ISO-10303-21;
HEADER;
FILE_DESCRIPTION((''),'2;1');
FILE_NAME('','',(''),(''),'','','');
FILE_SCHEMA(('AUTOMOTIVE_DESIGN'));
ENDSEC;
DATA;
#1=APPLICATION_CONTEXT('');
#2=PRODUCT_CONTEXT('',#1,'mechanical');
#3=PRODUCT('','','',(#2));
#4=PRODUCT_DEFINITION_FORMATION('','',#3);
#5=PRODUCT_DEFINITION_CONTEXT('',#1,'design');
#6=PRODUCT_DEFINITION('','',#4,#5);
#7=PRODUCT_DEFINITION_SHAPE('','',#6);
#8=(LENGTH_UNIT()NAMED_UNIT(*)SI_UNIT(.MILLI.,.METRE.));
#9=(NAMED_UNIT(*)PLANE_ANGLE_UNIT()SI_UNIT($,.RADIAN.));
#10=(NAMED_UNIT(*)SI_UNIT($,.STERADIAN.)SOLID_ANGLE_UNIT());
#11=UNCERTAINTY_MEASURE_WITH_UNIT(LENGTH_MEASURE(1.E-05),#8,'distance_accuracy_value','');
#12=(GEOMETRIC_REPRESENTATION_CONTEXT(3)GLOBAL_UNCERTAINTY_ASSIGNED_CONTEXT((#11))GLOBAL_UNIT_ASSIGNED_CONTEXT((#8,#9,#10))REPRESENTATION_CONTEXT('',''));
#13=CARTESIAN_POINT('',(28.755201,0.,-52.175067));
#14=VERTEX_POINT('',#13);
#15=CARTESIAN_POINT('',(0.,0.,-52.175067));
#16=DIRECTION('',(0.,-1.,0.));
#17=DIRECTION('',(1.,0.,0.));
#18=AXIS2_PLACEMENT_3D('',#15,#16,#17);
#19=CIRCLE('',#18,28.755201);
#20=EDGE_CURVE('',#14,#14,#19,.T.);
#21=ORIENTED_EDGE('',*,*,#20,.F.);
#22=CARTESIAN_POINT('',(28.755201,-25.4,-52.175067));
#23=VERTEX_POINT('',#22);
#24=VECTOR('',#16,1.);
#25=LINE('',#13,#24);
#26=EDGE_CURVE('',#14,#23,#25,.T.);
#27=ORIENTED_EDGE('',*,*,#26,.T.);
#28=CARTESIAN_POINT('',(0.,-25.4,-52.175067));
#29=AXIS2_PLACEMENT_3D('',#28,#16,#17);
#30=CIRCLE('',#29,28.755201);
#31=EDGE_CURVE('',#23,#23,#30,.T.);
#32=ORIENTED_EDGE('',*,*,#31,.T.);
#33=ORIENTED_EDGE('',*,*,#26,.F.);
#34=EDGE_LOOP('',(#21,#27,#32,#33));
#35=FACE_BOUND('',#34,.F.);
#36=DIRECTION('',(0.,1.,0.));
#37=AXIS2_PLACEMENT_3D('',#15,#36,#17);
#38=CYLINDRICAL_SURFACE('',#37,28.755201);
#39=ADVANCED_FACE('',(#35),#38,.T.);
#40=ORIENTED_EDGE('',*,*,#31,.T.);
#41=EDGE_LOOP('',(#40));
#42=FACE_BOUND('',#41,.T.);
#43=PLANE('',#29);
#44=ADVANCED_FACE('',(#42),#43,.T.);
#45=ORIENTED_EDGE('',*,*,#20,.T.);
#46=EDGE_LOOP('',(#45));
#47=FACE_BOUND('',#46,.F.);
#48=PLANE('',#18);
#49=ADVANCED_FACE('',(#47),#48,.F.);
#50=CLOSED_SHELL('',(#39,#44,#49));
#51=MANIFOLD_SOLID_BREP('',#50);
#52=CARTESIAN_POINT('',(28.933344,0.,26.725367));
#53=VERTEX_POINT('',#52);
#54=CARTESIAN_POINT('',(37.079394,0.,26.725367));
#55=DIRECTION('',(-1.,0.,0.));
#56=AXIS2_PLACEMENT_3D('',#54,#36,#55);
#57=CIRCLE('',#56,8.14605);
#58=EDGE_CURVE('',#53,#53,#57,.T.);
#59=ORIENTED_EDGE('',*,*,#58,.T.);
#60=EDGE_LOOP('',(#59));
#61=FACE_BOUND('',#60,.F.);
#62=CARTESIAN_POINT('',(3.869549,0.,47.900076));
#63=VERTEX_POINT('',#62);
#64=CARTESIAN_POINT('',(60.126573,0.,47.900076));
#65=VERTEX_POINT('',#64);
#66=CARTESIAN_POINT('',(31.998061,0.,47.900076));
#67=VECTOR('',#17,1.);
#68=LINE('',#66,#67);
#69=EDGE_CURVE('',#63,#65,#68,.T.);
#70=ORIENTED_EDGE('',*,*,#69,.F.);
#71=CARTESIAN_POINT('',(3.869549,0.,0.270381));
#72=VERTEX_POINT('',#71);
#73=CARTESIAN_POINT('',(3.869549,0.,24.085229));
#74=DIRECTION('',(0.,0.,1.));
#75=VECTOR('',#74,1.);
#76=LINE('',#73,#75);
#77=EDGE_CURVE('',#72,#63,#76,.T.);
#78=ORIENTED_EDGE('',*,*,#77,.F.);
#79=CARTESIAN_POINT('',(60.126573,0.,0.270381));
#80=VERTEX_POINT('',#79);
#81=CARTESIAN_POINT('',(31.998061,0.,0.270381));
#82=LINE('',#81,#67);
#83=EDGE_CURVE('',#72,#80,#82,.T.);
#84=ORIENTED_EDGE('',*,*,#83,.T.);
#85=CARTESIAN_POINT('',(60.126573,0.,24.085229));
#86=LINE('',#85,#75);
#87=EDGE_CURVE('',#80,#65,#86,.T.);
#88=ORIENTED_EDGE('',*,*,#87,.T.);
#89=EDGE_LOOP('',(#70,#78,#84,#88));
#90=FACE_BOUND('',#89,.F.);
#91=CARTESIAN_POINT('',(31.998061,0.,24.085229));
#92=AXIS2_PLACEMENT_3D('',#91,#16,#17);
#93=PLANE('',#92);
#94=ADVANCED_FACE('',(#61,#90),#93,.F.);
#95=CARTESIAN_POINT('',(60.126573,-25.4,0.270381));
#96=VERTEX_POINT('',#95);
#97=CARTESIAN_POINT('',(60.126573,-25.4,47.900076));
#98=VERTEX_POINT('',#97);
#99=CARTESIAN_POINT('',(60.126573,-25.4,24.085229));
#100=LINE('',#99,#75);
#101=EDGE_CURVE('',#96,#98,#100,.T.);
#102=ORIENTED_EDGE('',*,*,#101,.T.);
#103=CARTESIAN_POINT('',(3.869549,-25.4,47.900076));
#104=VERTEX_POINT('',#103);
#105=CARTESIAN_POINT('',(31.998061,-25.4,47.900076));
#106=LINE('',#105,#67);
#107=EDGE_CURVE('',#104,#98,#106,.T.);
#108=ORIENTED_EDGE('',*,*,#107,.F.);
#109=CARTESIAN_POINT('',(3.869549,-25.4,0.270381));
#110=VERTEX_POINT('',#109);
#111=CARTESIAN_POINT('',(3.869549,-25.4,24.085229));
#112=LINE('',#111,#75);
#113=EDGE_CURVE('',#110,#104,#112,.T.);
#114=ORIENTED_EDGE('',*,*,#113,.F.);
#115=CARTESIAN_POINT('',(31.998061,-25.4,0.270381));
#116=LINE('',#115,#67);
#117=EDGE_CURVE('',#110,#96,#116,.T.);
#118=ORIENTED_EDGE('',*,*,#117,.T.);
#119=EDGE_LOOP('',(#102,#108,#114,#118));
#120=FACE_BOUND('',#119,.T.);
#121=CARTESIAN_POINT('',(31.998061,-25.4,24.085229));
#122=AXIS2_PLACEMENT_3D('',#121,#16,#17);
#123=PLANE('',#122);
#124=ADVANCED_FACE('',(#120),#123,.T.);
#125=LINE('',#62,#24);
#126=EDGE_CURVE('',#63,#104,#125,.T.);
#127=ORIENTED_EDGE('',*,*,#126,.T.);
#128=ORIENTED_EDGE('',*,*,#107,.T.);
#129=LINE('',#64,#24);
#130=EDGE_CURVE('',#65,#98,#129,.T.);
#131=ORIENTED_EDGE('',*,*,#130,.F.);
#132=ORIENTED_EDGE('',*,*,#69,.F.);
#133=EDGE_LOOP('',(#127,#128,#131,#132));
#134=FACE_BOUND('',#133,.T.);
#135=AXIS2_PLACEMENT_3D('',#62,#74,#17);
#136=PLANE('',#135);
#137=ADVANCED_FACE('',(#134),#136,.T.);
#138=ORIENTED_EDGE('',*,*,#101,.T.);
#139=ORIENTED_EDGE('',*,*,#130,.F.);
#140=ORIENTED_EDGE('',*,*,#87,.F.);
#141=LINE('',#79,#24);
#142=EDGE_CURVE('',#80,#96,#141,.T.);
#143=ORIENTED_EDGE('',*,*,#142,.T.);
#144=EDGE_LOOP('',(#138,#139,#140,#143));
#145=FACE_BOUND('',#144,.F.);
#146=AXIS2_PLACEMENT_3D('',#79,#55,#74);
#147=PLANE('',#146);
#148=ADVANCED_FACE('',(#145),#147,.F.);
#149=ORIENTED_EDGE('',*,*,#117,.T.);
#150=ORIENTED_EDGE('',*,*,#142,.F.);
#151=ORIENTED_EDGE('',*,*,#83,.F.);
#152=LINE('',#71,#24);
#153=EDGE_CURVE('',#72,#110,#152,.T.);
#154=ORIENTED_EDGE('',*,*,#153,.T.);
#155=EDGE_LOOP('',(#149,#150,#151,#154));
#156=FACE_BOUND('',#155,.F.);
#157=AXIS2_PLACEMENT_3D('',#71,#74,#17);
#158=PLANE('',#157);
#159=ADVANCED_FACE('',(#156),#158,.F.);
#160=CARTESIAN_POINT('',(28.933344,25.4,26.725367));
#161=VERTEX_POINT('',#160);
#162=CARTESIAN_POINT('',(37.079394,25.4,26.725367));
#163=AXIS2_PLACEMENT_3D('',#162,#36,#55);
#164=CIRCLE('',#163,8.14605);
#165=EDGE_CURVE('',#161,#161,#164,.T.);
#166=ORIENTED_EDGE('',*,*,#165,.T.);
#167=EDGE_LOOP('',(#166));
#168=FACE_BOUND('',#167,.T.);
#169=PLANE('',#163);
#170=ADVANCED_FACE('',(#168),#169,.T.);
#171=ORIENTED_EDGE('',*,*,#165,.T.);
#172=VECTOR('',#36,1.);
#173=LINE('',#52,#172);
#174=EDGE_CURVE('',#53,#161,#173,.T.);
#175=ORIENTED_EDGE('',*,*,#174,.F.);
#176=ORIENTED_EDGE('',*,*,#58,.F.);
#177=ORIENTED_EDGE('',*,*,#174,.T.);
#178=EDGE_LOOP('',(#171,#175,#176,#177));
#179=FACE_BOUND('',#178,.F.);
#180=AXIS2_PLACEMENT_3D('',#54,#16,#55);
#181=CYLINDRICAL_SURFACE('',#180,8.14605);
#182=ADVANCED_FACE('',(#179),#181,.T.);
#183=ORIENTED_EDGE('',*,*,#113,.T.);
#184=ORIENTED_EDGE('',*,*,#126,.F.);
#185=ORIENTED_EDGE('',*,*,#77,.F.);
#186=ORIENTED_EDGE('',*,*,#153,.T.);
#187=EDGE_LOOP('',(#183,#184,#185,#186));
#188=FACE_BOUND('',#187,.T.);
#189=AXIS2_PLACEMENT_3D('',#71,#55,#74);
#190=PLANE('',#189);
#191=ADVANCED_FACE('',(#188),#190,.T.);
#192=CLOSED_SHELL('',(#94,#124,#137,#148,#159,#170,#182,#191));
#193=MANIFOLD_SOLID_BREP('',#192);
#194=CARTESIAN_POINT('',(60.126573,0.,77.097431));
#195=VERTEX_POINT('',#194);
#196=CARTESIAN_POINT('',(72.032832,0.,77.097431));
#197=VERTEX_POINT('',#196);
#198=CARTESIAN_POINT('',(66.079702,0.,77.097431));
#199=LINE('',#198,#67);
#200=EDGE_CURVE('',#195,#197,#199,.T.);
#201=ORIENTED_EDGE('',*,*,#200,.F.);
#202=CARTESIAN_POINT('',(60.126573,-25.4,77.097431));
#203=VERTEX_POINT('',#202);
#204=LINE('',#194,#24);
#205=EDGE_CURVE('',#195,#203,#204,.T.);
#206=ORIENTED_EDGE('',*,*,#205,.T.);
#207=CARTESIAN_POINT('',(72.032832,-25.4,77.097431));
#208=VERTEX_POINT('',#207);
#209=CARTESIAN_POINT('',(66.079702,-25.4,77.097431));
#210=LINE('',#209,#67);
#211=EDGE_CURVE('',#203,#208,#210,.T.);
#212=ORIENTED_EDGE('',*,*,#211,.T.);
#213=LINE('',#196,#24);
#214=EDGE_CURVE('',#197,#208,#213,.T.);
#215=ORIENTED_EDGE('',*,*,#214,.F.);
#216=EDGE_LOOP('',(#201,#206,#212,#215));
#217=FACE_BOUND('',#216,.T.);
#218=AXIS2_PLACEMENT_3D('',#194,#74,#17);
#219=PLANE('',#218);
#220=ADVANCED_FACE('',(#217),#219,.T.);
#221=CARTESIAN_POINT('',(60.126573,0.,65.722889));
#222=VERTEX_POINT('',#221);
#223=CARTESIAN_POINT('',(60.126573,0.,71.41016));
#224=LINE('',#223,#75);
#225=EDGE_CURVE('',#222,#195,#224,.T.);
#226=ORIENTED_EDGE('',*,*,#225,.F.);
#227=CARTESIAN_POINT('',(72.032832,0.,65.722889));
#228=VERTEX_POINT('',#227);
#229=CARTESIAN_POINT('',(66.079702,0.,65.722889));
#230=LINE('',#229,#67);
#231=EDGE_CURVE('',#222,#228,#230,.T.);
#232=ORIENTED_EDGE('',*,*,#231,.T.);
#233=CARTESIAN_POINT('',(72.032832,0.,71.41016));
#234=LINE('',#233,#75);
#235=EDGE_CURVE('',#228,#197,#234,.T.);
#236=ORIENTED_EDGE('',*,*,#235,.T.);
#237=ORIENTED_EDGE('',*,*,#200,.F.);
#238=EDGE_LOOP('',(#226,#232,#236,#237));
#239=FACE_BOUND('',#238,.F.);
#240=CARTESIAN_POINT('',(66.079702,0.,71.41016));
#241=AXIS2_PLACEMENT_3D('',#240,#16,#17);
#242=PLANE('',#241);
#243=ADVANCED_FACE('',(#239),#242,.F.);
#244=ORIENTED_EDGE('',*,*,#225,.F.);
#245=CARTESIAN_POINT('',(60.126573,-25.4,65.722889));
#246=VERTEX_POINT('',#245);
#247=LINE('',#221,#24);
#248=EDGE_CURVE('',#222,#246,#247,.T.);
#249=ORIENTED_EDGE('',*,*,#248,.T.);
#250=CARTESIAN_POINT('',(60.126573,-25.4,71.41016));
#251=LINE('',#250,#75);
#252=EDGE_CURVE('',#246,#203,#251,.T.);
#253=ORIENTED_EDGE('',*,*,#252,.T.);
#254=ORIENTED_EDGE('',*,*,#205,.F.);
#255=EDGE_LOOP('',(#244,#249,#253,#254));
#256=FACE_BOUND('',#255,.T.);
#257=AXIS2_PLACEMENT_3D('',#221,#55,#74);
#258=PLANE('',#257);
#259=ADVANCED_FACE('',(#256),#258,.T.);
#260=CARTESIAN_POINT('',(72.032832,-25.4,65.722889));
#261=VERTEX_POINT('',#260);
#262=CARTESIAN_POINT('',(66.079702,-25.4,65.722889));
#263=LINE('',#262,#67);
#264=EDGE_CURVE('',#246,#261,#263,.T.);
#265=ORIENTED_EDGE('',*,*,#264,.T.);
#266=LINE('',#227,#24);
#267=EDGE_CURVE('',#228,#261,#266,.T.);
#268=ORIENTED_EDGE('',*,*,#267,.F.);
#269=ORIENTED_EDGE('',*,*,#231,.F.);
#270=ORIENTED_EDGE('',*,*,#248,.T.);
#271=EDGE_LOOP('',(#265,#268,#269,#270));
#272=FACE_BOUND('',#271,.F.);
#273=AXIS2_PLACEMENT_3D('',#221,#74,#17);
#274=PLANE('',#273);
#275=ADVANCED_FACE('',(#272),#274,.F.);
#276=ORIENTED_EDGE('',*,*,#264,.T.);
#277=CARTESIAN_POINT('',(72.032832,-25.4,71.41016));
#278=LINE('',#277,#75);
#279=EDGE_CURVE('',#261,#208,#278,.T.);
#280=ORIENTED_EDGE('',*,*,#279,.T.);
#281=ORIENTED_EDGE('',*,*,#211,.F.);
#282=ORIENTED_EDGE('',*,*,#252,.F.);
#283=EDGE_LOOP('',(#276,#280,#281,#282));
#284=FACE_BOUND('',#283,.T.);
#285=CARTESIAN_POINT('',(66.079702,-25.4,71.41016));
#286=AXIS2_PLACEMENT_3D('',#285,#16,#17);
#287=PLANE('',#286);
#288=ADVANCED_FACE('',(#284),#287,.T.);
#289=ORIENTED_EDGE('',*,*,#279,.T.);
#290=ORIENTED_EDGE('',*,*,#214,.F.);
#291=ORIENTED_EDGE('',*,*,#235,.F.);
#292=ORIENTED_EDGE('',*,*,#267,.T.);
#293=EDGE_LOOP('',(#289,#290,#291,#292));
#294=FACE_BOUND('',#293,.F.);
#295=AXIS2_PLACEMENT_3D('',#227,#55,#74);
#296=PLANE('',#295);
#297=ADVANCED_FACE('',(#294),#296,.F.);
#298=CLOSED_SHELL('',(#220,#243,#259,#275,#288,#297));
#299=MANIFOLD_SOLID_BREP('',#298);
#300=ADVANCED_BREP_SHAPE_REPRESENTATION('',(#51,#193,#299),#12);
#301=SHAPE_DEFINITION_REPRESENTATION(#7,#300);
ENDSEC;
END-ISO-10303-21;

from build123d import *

# Parameters (mm, degrees)
F0_W     = 11.906259
F0_H     = 11.374541
F0_W_2   = 56.257025
F0_H_2   = 47.629695
F1_DEPTH = 25.4
F2_R     = 8.14605
F3_DEPTH = 25.4
F5_R     = 28.755201
F6_DEPTH = 25.4


with BuildPart() as f1:
    # F0 (on Front) → F1 (new body)
    with BuildSketch(Plane.XZ):
        with Locations((66.079702, 71.41016)):
            Rectangle(F0_W, F0_H)
        with Locations((31.998061, 24.085229)):
            Rectangle(F0_W_2, F0_H_2)
    extrude(amount=F1_DEPTH)

    # F2 (on face) → F3 (join)
    with BuildSketch(Plane(origin=(0, 0, 0), x_dir=(-1, 0, 0), z_dir=(0, 1, 0))):
        with Locations((-37.079394, 26.725367)):
            Circle(F2_R)
    extrude(amount=F3_DEPTH)


with BuildPart() as f6:
    # F5 (on Front) → F6 (new body)
    with BuildSketch(Plane.XZ):
        with Locations((0, -52.175067)):
            Circle(F5_R)
    extrude(amount=F6_DEPTH)


solid = Compound([f1.part, f6.part])
